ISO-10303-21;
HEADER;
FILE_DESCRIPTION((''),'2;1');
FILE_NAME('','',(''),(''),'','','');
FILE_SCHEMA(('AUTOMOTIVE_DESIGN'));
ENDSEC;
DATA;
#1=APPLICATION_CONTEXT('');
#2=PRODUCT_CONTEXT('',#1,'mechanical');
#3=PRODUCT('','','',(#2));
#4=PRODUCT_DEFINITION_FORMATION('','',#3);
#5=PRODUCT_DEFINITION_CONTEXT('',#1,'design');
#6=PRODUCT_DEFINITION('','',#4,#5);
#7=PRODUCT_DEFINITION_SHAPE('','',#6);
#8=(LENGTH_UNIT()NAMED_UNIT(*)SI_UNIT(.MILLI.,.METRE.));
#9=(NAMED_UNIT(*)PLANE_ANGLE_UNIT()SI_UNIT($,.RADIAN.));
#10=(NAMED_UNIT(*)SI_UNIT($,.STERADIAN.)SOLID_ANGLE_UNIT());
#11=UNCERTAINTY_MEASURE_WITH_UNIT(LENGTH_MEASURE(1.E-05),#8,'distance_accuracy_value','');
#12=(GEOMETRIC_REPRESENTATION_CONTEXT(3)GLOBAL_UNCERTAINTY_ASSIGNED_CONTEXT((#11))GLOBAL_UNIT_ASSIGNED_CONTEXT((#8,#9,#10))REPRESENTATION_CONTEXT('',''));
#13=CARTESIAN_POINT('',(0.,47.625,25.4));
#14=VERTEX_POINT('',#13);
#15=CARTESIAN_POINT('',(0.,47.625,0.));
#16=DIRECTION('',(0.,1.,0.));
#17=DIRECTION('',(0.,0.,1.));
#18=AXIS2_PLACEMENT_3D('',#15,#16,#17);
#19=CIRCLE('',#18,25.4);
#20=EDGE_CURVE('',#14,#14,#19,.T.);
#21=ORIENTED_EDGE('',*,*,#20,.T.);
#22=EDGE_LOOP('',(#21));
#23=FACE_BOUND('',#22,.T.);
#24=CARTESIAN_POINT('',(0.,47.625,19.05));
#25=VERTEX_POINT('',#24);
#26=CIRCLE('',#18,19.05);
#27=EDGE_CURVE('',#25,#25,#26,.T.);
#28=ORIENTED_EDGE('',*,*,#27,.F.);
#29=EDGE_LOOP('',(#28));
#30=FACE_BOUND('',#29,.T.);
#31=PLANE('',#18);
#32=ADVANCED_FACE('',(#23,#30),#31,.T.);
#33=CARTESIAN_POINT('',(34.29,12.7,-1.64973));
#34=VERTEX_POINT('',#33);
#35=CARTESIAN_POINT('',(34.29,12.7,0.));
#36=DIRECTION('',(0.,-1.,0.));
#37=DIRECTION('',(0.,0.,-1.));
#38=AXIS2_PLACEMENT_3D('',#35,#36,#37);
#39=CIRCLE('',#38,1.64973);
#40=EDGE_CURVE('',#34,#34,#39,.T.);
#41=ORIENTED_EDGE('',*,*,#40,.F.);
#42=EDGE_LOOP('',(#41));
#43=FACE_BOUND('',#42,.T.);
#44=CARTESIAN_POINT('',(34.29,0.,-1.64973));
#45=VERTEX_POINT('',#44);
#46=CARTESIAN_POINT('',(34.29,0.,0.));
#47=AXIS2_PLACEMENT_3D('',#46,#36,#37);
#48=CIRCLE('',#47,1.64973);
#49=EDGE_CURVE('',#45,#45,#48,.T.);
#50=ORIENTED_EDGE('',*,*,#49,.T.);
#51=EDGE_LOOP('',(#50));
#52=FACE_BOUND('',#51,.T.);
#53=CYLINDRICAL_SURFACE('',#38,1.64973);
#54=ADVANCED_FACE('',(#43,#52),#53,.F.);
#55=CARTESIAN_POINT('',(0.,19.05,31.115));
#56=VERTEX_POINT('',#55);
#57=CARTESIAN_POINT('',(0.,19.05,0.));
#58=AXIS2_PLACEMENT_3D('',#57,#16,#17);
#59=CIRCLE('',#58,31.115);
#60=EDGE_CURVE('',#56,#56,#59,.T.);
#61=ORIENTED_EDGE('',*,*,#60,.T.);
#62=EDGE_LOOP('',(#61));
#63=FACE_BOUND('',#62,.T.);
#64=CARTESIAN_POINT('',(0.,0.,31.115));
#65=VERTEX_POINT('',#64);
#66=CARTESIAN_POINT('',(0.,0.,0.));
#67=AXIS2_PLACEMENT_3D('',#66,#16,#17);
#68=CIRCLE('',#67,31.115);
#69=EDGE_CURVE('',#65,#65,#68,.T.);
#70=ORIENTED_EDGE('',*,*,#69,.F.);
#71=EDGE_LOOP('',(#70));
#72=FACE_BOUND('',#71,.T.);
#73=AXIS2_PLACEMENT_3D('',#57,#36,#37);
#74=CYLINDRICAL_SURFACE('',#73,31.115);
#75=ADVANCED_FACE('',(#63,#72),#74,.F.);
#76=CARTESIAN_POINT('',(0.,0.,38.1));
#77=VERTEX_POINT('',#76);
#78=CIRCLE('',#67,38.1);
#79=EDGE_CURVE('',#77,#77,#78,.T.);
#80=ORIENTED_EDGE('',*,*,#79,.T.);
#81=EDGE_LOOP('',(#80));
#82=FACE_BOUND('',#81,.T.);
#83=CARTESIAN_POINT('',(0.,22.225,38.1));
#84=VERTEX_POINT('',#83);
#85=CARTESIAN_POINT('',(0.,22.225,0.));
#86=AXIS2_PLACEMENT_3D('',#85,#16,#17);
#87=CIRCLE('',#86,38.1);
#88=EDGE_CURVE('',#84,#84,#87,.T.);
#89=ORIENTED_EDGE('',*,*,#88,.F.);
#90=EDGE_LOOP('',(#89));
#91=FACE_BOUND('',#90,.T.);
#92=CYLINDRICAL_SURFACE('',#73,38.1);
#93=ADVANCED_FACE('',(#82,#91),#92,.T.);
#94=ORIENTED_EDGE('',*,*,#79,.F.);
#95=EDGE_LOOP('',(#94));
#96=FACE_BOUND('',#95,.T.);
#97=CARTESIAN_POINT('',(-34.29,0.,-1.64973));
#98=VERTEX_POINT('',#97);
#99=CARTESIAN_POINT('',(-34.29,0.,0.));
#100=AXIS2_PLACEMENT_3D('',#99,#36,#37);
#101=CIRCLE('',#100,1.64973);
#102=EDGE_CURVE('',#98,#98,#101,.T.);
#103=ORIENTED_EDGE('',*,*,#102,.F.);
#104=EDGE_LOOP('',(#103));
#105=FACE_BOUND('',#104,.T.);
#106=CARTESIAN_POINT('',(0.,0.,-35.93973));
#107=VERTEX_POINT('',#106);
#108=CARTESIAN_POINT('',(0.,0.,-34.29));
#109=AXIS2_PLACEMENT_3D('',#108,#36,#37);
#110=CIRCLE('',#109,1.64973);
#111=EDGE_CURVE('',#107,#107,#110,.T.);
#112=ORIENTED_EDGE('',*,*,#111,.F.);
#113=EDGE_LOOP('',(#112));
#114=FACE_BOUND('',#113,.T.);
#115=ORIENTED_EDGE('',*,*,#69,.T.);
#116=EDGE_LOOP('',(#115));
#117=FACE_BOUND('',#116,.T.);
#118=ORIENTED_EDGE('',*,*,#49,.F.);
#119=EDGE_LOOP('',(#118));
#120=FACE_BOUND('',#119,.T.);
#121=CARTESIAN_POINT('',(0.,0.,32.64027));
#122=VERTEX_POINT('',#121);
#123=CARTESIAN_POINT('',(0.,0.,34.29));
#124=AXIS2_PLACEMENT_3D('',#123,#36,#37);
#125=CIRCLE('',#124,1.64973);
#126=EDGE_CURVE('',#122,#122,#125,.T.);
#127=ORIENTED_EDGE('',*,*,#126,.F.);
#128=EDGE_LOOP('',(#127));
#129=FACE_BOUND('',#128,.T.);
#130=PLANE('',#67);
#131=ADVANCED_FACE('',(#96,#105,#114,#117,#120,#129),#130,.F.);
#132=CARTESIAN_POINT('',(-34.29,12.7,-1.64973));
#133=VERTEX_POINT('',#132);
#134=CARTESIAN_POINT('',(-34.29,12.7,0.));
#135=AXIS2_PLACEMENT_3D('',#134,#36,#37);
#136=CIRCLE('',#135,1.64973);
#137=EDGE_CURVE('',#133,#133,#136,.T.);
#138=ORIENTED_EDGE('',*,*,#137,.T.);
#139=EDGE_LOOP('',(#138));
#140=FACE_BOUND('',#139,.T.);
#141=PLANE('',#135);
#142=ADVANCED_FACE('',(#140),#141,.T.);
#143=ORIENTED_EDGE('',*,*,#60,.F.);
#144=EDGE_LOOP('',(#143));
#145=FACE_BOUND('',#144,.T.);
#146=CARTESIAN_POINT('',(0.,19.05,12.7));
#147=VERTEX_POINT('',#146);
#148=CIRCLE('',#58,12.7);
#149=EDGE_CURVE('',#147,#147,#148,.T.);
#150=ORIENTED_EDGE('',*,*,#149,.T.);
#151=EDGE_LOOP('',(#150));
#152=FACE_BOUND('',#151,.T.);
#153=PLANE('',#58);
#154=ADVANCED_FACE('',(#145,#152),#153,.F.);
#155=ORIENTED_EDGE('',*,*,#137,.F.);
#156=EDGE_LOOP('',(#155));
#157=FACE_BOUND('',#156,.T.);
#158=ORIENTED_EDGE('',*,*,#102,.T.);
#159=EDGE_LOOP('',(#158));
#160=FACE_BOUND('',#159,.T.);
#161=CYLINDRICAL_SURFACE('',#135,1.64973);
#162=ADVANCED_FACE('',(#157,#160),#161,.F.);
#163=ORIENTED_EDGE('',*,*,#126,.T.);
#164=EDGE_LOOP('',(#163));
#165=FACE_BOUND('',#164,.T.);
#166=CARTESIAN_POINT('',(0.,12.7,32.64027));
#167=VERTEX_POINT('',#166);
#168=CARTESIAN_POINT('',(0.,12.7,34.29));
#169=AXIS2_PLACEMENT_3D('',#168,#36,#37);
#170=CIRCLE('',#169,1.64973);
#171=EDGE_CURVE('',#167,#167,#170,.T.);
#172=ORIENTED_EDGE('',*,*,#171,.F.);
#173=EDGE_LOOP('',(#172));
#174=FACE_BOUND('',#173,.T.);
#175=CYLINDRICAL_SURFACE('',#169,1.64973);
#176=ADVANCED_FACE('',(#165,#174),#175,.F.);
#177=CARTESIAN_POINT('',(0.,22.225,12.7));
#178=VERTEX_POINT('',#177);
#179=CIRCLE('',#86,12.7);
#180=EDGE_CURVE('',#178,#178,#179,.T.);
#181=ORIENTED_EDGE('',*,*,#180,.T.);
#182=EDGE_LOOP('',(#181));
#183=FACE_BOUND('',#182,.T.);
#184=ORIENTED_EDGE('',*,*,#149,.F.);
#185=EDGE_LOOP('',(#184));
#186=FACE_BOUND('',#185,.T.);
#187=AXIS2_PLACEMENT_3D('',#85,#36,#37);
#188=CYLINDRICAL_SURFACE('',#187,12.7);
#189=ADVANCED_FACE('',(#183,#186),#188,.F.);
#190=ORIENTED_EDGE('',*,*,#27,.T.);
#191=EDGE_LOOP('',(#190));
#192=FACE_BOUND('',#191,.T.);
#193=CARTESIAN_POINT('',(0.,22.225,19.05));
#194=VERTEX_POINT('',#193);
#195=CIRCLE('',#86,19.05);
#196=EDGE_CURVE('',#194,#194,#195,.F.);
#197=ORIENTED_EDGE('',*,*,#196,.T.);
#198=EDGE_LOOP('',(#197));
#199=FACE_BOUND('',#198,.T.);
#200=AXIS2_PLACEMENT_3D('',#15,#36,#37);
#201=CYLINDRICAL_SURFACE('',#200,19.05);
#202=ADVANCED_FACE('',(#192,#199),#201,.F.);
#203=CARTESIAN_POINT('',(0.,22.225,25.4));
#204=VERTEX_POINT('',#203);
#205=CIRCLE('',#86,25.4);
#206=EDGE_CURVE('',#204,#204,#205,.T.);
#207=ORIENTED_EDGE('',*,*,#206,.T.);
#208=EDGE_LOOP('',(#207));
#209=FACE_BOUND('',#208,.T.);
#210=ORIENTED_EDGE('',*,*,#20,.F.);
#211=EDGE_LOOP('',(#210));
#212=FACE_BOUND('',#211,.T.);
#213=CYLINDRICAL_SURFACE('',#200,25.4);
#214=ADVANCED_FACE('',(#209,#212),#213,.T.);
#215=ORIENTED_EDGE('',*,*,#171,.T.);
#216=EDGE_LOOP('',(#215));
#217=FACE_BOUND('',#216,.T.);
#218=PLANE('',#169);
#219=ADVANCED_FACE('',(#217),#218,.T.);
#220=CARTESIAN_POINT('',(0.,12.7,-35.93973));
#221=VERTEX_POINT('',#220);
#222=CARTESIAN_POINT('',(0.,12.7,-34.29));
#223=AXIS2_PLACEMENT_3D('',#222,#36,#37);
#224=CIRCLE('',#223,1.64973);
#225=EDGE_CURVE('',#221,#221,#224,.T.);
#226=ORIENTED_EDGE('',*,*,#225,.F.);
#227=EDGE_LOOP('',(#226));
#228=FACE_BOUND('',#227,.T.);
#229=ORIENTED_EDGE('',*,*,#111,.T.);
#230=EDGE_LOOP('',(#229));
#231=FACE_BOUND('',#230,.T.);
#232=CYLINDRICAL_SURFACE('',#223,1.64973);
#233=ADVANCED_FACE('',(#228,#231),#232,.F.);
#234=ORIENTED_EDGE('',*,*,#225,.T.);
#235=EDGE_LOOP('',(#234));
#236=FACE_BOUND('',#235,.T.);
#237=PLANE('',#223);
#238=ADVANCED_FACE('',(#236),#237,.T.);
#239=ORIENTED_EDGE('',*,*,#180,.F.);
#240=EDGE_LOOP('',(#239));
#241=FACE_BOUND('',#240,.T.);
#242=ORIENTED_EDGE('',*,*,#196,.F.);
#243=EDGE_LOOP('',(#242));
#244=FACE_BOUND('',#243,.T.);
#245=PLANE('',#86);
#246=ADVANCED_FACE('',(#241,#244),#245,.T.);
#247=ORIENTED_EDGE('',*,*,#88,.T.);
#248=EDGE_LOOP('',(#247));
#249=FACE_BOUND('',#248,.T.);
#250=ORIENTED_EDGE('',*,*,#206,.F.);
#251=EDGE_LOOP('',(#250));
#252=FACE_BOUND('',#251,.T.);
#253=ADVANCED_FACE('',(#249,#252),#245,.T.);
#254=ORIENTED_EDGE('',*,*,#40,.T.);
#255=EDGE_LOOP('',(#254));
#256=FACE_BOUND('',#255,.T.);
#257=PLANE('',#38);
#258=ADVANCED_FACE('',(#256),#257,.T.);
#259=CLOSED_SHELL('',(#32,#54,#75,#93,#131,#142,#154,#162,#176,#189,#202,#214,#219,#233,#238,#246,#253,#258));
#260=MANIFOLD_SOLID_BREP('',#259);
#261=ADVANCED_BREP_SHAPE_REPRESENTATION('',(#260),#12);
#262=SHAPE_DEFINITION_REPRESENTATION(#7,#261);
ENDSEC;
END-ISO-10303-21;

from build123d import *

# Parameters (mm, degrees)
SKETCH1_R           = 38.1
SKETCH1_R_2         = 31.115
BOSS_EXTRUDE1_DEPTH = 19.05
SKETCH2_R           = 1.64973
CUT_EXTRUDE1_DEPTH  = 12.7
SKETCH3_R           = 38.1
SKETCH3_R_2         = 12.7
BOSS_EXTRUDE2_DEPTH = 3.175
SKETCH4_R           = 25.4
SKETCH4_R_2         = 19.05
BOSS_EXTRUDE3_DEPTH = 25.4


with BuildPart() as part:
    # Sketch1 → Boss-Extrude1 (new body)
    with BuildSketch(Plane(origin=(0, 0, 0), x_dir=(1, 0, 0), z_dir=(0, 1, 0))):
        Circle(SKETCH1_R)
        Circle(SKETCH1_R_2, mode=Mode.SUBTRACT)
    extrude(amount=BOSS_EXTRUDE1_DEPTH)

    # Sketch2 → Cut-Extrude1 (cut)
    with BuildSketch(Plane.XZ):
        with Locations((0, 34.29)):
            Circle(SKETCH2_R)
        with Locations((34.29, 0)):
            Circle(SKETCH2_R)
        with Locations((0, -34.29)):
            Circle(SKETCH2_R)
        with Locations((-34.29, 0)):
            Circle(SKETCH2_R)
    extrude(amount=-CUT_EXTRUDE1_DEPTH, mode=Mode.SUBTRACT)

    # Sketch3 → Boss-Extrude2 (add)
    with BuildSketch(Plane(origin=(0, 19.05, 0), x_dir=(1, 0, 0), z_dir=(0, 1, 0))):
        Circle(SKETCH3_R)
        Circle(SKETCH3_R_2, mode=Mode.SUBTRACT)
    extrude(amount=BOSS_EXTRUDE2_DEPTH)

    # Sketch4 → Boss-Extrude3 (add)
    with BuildSketch(Plane(origin=(0, 22.225, 0), x_dir=(1, 0, 0), z_dir=(0, 1, 0))):
        Circle(SKETCH4_R)
        Circle(SKETCH4_R_2, mode=Mode.SUBTRACT)
    extrude(amount=BOSS_EXTRUDE3_DEPTH)


solid = part.part
